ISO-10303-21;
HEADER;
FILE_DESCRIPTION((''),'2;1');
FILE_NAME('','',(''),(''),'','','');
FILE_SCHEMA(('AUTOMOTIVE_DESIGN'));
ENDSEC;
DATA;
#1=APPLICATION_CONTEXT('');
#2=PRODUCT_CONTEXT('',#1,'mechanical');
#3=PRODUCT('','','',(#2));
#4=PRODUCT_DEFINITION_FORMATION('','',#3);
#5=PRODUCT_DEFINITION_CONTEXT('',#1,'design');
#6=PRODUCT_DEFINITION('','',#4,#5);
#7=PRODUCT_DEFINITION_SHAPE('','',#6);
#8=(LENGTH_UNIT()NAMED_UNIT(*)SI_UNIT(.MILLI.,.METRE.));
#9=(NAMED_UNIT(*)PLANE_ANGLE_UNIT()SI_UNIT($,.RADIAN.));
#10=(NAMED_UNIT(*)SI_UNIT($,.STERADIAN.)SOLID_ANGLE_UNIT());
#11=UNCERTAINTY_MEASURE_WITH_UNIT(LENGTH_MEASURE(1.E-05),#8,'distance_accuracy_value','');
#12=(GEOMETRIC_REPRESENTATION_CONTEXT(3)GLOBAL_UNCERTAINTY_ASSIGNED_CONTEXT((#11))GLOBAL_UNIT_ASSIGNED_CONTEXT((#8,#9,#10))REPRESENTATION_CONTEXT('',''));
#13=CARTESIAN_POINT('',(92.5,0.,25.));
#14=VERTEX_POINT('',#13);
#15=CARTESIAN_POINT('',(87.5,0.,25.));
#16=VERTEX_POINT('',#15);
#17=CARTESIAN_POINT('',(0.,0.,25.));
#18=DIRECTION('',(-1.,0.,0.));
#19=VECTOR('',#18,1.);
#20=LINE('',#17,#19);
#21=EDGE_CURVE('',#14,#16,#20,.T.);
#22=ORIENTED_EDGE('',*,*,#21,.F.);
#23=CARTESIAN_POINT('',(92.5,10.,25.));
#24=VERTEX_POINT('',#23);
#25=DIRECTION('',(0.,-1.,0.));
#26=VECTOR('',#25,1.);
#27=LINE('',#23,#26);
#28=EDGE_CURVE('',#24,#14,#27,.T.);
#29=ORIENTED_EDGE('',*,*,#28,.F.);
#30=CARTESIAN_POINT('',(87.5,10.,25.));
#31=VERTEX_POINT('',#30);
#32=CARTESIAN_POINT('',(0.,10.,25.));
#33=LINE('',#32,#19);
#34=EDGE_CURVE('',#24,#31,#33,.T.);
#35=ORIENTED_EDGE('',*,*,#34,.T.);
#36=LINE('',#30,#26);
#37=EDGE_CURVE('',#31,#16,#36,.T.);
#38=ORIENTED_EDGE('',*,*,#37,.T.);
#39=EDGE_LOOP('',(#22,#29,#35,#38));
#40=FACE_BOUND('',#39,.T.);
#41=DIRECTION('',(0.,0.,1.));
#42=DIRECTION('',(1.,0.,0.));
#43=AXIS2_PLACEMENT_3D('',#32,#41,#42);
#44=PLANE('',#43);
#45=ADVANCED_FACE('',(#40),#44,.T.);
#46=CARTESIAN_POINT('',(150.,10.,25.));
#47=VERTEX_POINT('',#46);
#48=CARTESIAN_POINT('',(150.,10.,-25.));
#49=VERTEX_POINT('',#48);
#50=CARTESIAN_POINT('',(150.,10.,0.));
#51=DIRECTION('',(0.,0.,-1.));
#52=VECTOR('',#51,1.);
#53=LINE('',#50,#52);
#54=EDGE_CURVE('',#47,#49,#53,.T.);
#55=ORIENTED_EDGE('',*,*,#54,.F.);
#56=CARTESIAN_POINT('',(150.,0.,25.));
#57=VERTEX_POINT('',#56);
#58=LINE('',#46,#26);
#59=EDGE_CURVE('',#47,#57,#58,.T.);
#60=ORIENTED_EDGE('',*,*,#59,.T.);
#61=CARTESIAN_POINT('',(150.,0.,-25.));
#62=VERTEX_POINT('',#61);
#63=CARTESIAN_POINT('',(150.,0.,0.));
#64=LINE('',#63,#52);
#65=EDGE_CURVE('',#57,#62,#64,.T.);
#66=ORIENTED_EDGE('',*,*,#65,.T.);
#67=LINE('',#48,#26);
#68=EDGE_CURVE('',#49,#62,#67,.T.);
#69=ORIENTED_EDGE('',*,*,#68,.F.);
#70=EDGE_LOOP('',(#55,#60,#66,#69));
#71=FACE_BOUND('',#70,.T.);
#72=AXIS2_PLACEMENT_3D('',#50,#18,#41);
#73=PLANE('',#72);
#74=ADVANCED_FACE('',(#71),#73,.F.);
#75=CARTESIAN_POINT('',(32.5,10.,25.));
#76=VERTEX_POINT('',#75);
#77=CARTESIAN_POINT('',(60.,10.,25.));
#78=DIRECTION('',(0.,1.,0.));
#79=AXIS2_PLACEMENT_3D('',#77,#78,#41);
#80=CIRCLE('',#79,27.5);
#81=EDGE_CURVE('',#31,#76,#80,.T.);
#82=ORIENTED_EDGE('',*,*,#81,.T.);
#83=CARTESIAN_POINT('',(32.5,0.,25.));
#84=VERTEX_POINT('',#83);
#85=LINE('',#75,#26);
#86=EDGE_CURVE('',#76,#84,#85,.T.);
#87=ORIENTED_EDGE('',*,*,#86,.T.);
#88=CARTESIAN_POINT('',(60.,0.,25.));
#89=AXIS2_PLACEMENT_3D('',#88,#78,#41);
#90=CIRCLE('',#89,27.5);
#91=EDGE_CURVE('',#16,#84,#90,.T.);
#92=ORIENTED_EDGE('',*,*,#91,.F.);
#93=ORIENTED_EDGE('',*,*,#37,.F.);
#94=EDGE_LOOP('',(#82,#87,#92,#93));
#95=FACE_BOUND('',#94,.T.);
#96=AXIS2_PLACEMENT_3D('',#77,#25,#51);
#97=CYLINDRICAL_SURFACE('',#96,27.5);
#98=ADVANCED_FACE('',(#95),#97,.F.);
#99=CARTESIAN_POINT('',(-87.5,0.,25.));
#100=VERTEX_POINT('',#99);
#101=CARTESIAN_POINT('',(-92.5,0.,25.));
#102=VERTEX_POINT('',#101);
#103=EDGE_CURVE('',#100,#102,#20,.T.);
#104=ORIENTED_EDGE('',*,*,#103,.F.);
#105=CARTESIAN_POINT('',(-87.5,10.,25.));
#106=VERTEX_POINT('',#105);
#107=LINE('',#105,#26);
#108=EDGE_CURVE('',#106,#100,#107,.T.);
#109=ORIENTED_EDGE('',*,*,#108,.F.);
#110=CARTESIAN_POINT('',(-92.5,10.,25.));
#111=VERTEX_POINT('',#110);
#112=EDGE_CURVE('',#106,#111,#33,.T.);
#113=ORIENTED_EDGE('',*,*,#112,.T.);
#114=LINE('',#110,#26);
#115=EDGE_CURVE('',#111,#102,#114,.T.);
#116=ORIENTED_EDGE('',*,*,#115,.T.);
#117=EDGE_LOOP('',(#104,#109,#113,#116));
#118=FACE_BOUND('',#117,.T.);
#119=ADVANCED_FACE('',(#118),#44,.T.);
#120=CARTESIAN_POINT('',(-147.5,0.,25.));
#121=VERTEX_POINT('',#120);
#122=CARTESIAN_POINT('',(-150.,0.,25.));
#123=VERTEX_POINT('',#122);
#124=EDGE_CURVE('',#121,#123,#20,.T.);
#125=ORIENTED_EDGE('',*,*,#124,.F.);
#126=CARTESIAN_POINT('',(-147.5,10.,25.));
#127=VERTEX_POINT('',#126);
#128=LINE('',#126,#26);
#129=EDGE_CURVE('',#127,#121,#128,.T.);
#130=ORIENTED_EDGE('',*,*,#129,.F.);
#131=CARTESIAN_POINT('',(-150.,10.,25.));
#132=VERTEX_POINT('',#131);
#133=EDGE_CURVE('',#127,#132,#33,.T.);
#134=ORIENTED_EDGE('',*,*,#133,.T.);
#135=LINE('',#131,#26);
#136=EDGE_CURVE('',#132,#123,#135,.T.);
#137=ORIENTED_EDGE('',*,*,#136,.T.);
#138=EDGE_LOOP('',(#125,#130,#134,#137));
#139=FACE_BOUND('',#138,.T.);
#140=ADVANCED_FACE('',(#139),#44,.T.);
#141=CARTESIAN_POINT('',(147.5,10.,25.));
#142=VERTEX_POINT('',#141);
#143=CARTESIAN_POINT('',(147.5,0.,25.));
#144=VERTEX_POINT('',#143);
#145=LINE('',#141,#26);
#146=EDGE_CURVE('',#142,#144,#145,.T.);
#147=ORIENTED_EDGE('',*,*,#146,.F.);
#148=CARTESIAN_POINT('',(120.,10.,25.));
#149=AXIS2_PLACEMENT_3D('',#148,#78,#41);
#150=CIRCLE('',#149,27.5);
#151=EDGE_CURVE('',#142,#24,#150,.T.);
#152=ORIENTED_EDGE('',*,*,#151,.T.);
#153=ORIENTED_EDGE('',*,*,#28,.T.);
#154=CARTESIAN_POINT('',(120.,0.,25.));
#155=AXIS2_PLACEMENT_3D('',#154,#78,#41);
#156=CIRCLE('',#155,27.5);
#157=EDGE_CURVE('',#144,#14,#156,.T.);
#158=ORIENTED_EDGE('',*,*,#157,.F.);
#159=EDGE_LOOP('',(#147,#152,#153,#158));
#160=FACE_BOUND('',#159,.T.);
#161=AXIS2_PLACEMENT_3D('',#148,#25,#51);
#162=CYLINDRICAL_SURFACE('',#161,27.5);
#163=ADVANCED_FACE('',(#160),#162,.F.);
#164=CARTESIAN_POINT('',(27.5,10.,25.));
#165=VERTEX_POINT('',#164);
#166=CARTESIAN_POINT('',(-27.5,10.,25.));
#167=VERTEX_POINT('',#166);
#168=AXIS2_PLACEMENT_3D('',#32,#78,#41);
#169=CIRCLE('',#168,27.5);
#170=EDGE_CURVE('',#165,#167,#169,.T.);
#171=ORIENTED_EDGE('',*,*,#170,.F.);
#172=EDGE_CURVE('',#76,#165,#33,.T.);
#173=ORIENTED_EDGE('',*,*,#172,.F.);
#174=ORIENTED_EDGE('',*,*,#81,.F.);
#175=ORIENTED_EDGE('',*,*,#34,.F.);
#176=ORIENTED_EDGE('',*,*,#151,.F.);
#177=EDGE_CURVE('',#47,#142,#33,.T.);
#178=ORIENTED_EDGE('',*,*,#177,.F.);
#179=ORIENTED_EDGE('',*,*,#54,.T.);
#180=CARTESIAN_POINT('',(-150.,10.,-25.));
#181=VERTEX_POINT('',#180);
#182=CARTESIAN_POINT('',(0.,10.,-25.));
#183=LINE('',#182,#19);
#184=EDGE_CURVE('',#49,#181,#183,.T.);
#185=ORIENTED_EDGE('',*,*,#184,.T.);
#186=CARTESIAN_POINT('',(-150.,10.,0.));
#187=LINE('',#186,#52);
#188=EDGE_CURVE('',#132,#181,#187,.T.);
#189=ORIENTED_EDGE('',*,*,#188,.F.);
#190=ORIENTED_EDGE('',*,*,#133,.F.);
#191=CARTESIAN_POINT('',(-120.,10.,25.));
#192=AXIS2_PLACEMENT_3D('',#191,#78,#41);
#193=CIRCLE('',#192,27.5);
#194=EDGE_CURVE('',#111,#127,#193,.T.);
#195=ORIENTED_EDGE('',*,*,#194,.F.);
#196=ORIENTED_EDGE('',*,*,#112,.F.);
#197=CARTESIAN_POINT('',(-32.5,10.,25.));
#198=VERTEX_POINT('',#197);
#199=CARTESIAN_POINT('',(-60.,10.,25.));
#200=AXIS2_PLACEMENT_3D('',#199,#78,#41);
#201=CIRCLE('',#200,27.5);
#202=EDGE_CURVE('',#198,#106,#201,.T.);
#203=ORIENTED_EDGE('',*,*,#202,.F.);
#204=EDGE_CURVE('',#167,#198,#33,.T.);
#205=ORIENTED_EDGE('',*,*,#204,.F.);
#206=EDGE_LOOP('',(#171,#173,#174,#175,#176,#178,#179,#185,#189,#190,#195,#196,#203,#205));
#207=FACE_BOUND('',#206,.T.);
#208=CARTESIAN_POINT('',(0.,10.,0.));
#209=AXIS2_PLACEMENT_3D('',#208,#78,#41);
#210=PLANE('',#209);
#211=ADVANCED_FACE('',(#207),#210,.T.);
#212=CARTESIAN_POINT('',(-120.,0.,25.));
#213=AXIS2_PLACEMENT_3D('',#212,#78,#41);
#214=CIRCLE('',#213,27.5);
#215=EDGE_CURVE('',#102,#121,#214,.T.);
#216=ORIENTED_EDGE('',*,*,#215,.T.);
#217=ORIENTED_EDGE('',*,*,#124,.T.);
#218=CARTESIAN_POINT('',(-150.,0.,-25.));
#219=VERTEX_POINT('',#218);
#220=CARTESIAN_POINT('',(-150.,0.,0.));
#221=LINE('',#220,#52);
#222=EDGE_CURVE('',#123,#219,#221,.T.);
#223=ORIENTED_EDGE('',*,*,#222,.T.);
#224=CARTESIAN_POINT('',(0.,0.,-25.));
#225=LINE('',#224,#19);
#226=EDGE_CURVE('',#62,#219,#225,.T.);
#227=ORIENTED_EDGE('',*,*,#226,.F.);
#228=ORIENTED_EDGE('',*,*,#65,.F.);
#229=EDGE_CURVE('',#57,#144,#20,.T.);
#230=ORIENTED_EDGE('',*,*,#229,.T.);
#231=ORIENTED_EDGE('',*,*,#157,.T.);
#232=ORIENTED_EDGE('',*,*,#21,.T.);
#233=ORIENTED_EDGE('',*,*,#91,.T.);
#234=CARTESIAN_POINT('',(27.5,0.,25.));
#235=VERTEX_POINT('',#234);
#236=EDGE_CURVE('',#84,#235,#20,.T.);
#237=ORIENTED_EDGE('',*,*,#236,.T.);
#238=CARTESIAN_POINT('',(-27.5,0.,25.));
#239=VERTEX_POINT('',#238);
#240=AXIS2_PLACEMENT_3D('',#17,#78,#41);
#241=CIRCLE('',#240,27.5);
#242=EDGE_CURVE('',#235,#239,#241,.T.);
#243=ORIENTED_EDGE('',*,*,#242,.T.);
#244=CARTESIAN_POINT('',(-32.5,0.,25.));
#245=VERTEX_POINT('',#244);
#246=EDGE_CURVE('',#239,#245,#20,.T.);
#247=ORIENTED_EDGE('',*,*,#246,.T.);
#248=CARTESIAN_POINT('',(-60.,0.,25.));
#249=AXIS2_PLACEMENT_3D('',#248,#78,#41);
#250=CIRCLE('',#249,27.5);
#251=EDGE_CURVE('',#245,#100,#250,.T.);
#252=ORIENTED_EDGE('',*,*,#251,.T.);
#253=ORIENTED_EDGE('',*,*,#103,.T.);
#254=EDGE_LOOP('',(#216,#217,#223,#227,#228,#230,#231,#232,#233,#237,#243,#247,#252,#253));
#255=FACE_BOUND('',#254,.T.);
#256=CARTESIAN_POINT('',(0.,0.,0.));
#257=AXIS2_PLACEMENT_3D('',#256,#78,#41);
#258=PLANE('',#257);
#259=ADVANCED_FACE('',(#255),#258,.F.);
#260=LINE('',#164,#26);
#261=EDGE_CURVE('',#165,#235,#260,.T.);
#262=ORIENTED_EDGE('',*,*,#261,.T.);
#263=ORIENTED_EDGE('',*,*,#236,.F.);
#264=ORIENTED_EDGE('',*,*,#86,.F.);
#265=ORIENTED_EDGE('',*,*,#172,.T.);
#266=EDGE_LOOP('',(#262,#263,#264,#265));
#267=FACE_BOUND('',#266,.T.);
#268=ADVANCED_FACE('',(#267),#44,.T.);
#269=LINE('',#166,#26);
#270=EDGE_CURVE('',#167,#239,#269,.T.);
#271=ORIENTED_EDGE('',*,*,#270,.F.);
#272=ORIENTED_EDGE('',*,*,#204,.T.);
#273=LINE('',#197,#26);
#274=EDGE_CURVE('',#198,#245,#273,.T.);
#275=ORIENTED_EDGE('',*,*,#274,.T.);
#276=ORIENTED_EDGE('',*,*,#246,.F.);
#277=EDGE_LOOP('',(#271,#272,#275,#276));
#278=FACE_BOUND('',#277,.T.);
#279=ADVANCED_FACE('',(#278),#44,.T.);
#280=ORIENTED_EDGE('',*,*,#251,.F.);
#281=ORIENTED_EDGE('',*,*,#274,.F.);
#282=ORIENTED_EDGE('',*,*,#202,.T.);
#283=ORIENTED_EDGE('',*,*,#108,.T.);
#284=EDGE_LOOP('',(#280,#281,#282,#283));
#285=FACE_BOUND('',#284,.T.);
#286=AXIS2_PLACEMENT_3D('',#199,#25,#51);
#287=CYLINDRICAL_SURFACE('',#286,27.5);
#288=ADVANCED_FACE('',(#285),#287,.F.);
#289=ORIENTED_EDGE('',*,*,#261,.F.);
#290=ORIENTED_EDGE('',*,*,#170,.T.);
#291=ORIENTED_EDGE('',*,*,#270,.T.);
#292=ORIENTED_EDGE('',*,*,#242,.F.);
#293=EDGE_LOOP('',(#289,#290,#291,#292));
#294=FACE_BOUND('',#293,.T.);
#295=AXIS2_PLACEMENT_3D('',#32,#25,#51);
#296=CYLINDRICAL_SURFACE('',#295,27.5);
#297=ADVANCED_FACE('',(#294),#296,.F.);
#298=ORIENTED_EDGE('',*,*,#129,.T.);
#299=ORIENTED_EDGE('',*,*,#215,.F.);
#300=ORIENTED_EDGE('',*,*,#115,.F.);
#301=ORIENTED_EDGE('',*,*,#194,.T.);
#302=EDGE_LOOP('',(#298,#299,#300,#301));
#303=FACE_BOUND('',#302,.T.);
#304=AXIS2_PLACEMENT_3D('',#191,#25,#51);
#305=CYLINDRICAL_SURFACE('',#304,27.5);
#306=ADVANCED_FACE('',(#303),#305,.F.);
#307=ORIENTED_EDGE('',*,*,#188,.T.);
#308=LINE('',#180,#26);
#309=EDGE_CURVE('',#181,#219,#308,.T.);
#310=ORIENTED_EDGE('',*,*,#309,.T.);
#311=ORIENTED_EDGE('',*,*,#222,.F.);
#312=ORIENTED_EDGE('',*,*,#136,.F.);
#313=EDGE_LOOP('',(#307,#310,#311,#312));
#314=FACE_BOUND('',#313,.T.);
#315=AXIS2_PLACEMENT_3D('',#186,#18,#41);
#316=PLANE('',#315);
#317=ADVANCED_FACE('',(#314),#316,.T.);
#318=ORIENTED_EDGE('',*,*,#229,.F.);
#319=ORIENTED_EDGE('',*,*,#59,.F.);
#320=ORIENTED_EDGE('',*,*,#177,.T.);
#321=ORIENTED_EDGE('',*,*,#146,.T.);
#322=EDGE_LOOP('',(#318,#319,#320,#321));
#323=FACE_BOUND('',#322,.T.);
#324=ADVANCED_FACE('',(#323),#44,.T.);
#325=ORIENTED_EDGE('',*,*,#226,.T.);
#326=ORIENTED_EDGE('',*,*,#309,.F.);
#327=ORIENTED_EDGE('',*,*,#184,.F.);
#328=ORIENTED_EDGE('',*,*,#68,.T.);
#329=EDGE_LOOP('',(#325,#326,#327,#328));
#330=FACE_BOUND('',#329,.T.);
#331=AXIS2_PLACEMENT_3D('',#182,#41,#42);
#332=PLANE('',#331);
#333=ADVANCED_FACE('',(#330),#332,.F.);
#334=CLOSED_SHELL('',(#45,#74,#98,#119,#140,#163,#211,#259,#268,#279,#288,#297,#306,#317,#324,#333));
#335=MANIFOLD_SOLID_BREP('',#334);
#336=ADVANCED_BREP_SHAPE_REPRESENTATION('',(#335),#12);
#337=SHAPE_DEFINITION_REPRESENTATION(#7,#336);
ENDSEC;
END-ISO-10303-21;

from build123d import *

# Parameters (mm, degrees)
BOSS_EXTRU_1_DEPTH = 10


with BuildPart() as part:
    # Esquisse1 → Boss.-Extru.1 (new body)
    with BuildSketch(Plane(origin=(0, 0, 0), x_dir=(1, 0, 0), z_dir=(0, 1, 0))):
        with BuildLine():
            Line((147.5, -25), (150, -25))
            Line((150, -25), (150, 25))
            Line((150, 25), (-150, 25))
            Line((-150, 25), (-150, -25))
            Line((-150, -25), (-147.5, -25))
            ThreePointArc((-147.5, -25), (-120, 2.5), (-92.5, -25))
            Line((-92.5, -25), (-87.5, -25))
            ThreePointArc((-87.5, -25), (-60, 2.5), (-32.5, -25))
            Line((-32.5, -25), (-27.5, -25))
            ThreePointArc((-27.5, -25), (0, 2.5), (27.5, -25))
            Line((27.5, -25), (32.5, -25))
            ThreePointArc((32.5, -25), (60, 2.5), (87.5, -25))
            Line((87.5, -25), (92.5, -25))
            ThreePointArc((92.5, -25), (120, 2.5), (147.5, -25))
        make_face()
    extrude(amount=BOSS_EXTRU_1_DEPTH)


solid = part.part
